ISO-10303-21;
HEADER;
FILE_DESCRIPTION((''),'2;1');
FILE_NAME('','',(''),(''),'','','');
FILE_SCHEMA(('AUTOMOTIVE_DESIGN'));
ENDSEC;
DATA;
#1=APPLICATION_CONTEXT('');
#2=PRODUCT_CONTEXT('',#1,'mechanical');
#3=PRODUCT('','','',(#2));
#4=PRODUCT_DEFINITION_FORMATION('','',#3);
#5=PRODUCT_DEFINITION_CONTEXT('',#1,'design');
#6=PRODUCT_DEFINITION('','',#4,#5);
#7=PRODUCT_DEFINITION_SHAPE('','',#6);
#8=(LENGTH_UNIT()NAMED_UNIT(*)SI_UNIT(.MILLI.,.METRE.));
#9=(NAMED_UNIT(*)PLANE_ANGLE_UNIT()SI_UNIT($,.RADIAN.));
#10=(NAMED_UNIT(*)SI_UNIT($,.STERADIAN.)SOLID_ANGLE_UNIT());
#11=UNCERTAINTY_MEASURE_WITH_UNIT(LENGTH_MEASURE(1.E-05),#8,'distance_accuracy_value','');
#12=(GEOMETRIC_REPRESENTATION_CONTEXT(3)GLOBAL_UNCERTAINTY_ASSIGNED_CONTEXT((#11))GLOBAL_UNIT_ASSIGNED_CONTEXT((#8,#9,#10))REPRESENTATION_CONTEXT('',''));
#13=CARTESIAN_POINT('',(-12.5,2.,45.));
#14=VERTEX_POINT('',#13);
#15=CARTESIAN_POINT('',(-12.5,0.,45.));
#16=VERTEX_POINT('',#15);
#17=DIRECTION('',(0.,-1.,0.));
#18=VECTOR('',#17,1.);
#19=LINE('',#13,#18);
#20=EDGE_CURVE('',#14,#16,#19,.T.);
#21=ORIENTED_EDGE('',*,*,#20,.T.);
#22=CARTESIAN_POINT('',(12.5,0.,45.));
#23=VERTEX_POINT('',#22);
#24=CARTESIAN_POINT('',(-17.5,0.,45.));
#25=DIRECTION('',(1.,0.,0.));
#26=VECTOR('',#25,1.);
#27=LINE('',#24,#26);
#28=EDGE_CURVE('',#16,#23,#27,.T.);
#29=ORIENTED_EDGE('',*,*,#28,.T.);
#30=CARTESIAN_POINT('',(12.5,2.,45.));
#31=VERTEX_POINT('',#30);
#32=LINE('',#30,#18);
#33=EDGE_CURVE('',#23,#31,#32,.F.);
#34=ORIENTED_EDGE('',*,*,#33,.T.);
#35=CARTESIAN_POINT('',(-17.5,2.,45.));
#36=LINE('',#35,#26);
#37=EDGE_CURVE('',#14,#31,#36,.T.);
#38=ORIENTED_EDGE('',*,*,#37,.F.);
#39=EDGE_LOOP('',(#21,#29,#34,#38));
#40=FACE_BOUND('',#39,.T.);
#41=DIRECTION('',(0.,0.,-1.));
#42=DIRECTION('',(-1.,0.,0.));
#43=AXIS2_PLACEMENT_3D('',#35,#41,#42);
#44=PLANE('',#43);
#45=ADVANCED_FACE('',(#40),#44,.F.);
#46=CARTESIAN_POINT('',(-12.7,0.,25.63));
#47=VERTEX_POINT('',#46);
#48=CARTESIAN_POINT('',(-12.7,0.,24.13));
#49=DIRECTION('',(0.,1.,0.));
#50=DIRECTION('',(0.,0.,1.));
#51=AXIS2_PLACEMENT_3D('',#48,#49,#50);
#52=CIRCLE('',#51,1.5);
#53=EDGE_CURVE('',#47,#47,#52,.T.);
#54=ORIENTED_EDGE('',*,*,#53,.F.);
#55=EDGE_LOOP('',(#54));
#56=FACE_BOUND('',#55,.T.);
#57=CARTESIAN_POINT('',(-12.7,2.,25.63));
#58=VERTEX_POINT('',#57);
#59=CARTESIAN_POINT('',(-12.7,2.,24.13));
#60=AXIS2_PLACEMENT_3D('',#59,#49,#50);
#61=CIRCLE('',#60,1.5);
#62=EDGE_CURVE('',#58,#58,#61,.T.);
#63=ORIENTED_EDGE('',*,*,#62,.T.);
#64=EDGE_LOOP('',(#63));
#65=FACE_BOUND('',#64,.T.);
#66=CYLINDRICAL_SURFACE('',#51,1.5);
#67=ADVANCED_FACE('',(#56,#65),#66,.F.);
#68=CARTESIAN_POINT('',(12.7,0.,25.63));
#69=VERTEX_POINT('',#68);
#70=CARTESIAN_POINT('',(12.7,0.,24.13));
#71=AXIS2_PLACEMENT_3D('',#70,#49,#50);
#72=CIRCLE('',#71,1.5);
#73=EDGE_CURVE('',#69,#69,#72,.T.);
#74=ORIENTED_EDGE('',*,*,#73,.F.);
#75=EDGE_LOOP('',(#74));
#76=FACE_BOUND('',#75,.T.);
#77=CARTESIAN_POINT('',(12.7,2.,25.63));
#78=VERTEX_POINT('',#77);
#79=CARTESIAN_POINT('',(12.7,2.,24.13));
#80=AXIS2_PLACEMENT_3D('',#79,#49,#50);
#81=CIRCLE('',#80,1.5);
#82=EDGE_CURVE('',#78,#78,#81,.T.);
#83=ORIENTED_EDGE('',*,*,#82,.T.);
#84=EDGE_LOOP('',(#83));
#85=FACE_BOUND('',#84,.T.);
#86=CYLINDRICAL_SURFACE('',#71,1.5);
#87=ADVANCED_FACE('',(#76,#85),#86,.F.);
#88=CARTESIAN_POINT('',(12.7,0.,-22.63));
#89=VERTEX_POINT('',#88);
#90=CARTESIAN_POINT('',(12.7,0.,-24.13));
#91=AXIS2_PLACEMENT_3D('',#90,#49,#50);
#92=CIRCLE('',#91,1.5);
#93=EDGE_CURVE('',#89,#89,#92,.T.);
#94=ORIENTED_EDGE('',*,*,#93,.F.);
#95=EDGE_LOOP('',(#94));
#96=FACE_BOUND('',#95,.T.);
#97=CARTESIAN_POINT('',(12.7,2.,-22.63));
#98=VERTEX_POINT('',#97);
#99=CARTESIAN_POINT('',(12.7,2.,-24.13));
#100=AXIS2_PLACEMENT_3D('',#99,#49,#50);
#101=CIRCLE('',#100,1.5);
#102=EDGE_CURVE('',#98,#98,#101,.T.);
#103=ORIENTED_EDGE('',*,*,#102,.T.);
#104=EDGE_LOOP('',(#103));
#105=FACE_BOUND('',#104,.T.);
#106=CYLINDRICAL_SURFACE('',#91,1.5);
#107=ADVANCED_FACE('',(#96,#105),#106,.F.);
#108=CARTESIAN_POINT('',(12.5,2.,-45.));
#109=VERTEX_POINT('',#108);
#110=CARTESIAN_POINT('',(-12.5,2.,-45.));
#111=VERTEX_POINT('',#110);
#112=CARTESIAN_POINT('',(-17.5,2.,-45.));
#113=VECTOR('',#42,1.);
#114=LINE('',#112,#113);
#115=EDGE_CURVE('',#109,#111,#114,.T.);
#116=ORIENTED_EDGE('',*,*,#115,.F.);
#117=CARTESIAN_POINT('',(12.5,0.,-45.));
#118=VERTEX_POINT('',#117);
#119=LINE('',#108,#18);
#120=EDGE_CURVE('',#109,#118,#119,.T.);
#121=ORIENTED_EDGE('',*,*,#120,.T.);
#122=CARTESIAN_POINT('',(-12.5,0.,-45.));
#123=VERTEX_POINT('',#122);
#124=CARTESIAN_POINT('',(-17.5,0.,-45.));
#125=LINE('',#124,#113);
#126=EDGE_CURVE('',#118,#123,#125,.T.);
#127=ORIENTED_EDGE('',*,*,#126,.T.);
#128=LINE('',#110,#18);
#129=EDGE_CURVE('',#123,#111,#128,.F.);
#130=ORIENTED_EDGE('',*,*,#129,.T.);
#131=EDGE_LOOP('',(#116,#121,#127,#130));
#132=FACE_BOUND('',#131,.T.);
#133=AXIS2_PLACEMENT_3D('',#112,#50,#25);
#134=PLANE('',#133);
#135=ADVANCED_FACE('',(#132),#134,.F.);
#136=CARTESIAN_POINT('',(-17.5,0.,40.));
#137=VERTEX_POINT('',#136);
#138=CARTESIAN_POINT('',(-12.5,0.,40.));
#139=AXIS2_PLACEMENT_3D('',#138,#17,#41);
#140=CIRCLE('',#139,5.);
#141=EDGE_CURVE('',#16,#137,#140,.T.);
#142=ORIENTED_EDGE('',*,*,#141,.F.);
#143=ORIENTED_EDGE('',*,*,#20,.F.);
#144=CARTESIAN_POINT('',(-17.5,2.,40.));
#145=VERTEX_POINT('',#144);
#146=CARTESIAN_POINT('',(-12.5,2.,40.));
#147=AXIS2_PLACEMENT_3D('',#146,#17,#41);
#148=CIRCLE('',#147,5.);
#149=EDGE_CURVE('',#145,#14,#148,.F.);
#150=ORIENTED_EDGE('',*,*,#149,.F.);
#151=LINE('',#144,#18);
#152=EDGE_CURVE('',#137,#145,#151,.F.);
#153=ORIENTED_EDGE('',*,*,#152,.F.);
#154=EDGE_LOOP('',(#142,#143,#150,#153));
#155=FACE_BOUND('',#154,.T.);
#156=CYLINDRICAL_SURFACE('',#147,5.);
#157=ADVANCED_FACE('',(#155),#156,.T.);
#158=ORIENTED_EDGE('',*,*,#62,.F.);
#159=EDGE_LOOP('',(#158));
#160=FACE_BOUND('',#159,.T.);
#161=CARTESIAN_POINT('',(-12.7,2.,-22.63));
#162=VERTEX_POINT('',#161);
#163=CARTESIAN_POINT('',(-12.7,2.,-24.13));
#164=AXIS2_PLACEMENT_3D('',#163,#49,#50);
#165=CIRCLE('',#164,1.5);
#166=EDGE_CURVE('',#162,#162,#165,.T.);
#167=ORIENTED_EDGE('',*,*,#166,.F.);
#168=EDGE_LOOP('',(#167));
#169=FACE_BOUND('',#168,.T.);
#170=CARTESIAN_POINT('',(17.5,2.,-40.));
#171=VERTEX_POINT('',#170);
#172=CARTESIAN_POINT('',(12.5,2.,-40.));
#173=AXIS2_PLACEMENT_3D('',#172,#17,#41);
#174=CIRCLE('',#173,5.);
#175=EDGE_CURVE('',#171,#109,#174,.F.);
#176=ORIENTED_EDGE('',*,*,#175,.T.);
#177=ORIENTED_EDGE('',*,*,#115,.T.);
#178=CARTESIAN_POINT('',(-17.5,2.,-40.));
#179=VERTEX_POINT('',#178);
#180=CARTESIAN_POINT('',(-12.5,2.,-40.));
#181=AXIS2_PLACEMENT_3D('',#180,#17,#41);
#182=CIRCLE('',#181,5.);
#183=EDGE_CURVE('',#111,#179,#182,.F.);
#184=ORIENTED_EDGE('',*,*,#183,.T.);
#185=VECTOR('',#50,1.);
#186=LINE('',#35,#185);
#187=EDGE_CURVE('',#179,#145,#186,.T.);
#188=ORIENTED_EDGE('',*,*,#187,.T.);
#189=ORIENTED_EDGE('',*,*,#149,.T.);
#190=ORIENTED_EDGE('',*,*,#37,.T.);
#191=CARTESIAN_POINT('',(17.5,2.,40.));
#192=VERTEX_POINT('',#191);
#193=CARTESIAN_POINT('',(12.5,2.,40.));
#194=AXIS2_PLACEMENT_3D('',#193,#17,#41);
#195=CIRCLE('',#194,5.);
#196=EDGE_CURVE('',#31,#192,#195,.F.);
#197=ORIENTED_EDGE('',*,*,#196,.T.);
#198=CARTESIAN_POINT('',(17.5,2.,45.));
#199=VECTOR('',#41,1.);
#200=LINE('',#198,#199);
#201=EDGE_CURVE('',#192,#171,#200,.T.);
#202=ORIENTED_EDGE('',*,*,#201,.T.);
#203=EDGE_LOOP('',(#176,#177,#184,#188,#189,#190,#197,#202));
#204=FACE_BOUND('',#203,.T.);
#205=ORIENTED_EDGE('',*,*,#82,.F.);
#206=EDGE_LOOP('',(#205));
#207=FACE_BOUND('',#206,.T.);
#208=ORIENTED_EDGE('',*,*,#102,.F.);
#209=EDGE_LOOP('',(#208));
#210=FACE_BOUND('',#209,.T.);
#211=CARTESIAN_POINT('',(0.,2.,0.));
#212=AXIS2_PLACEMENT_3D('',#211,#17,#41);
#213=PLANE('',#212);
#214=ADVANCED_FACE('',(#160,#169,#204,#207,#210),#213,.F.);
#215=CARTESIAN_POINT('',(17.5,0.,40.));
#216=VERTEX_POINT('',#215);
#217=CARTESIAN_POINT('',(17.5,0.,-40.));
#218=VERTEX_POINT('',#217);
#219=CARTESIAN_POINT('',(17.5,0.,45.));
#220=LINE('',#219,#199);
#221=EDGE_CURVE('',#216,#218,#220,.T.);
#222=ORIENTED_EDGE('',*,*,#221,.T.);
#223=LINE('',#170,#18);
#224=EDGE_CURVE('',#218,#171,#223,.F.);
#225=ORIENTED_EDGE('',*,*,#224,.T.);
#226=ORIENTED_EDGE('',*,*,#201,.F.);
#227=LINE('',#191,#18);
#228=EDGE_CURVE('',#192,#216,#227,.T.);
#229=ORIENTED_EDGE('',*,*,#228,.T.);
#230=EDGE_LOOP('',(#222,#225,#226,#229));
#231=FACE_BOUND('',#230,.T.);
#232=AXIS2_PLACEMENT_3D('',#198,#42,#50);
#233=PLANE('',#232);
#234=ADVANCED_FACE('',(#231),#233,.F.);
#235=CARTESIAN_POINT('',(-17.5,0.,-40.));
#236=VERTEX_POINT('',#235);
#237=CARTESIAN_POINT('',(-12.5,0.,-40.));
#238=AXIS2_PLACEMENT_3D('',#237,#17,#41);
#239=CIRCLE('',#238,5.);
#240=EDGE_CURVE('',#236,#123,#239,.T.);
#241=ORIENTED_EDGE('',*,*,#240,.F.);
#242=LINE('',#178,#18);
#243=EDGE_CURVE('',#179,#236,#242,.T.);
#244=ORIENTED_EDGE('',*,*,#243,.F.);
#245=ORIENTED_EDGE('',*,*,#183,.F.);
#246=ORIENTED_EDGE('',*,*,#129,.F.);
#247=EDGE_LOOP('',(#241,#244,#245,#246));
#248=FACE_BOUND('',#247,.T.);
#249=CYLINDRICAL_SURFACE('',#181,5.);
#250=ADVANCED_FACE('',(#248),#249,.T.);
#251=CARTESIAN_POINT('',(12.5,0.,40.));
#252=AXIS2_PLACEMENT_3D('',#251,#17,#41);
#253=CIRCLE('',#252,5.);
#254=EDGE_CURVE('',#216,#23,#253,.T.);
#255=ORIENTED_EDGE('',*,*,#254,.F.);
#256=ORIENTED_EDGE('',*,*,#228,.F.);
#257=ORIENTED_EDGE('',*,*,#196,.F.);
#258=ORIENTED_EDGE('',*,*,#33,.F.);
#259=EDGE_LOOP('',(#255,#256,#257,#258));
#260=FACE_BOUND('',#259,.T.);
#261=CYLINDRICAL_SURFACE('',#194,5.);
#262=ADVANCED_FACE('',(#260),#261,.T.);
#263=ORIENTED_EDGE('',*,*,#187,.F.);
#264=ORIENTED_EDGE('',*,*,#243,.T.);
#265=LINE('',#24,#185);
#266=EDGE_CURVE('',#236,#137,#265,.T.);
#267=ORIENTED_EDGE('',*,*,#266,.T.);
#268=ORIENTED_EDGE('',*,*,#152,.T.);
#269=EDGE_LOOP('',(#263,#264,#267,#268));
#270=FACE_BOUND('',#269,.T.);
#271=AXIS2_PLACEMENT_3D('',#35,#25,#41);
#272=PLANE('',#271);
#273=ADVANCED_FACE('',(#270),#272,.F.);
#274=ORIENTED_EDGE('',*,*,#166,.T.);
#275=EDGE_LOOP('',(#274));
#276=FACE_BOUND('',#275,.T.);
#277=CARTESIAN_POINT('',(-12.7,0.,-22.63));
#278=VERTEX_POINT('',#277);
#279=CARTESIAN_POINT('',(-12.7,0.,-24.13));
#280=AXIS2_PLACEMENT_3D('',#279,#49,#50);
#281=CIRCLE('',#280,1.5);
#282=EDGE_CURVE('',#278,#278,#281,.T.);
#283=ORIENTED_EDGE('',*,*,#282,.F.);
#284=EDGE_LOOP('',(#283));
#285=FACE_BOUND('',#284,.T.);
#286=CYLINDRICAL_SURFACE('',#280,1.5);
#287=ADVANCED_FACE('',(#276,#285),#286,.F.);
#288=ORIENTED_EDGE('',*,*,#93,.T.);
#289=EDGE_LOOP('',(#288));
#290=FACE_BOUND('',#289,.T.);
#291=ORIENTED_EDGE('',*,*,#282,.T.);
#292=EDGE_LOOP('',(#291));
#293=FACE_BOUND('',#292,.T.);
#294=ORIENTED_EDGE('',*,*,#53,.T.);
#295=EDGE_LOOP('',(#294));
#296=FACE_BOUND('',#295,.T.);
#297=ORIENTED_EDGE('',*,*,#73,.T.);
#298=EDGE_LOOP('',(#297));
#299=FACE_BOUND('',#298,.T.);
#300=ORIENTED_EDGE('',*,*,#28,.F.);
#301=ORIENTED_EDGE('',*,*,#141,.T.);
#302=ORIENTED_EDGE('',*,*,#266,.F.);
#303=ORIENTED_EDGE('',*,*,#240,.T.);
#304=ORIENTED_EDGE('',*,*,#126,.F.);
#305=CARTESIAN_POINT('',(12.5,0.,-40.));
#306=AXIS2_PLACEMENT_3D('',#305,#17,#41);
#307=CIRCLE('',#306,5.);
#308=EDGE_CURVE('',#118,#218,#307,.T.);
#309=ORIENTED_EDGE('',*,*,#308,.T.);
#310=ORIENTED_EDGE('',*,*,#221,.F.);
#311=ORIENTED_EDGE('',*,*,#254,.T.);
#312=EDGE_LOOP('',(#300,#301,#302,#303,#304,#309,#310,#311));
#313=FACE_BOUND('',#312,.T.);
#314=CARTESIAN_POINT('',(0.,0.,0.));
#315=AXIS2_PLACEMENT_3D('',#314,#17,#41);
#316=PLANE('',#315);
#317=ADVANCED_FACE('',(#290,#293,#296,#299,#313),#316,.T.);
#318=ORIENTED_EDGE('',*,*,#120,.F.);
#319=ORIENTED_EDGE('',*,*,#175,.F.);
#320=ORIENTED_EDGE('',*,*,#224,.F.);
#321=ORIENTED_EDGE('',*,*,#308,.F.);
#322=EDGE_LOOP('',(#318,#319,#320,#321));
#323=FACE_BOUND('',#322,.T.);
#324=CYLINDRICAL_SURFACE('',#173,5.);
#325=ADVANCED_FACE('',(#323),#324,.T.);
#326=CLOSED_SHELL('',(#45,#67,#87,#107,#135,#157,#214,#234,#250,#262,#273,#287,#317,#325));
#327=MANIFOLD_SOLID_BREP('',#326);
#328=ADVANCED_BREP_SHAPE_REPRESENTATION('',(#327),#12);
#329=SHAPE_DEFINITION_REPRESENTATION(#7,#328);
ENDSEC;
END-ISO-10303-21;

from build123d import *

# Parameters (mm, degrees)
SKETCH_1_W          = 35
SKETCH_1_H          = 90
EXTRUDE_1_DEPTH     = 2
SKETCH_2_R          = 1.5
CUT_EXTRUDE_1_DEPTH = 49.324424466
FILLET_1_R          = 5


with BuildPart() as part:
    # 草图1 → 凸台-拉伸1 (new body)
    with BuildSketch(Plane(origin=(0, 0, 0), x_dir=(1, 0, 0), z_dir=(0, 1, 0))):
        Rectangle(SKETCH_1_W, SKETCH_1_H)
    extrude(amount=EXTRUDE_1_DEPTH)

    # 草图2 → 切除-拉伸1 (cut, through all)
    with BuildSketch(Plane(origin=(0, 2, 0), x_dir=(1, 0, 0), z_dir=(0, 1, 0))):
        with Locations(Location((-12.7, 24.13, 0), (0, 0, 270))):
            Circle(SKETCH_2_R)
        with Locations(Location((12.7, 24.13, 0), (0, 0, 270))):
            Circle(SKETCH_2_R)
        with Locations(Location((12.7, -24.13, 0), (0, 0, 270))):
            Circle(SKETCH_2_R)
        with Locations(Location((-12.7, -24.13, 0), (0, 0, 270))):
            Circle(SKETCH_2_R)
    extrude(amount=-CUT_EXTRUDE_1_DEPTH, mode=Mode.SUBTRACT)

    # 圆角1
    fillet_1_edges = [part.edges().sort_by_distance(p)[0] for p in [
        (17.5, 1, 45),
        (-17.5, 1, 45),
        (-17.5, 1, -45),
        (17.5, 1, -45),
    ]]
    fillet(fillet_1_edges, radius=FILLET_1_R)


solid = part.part
